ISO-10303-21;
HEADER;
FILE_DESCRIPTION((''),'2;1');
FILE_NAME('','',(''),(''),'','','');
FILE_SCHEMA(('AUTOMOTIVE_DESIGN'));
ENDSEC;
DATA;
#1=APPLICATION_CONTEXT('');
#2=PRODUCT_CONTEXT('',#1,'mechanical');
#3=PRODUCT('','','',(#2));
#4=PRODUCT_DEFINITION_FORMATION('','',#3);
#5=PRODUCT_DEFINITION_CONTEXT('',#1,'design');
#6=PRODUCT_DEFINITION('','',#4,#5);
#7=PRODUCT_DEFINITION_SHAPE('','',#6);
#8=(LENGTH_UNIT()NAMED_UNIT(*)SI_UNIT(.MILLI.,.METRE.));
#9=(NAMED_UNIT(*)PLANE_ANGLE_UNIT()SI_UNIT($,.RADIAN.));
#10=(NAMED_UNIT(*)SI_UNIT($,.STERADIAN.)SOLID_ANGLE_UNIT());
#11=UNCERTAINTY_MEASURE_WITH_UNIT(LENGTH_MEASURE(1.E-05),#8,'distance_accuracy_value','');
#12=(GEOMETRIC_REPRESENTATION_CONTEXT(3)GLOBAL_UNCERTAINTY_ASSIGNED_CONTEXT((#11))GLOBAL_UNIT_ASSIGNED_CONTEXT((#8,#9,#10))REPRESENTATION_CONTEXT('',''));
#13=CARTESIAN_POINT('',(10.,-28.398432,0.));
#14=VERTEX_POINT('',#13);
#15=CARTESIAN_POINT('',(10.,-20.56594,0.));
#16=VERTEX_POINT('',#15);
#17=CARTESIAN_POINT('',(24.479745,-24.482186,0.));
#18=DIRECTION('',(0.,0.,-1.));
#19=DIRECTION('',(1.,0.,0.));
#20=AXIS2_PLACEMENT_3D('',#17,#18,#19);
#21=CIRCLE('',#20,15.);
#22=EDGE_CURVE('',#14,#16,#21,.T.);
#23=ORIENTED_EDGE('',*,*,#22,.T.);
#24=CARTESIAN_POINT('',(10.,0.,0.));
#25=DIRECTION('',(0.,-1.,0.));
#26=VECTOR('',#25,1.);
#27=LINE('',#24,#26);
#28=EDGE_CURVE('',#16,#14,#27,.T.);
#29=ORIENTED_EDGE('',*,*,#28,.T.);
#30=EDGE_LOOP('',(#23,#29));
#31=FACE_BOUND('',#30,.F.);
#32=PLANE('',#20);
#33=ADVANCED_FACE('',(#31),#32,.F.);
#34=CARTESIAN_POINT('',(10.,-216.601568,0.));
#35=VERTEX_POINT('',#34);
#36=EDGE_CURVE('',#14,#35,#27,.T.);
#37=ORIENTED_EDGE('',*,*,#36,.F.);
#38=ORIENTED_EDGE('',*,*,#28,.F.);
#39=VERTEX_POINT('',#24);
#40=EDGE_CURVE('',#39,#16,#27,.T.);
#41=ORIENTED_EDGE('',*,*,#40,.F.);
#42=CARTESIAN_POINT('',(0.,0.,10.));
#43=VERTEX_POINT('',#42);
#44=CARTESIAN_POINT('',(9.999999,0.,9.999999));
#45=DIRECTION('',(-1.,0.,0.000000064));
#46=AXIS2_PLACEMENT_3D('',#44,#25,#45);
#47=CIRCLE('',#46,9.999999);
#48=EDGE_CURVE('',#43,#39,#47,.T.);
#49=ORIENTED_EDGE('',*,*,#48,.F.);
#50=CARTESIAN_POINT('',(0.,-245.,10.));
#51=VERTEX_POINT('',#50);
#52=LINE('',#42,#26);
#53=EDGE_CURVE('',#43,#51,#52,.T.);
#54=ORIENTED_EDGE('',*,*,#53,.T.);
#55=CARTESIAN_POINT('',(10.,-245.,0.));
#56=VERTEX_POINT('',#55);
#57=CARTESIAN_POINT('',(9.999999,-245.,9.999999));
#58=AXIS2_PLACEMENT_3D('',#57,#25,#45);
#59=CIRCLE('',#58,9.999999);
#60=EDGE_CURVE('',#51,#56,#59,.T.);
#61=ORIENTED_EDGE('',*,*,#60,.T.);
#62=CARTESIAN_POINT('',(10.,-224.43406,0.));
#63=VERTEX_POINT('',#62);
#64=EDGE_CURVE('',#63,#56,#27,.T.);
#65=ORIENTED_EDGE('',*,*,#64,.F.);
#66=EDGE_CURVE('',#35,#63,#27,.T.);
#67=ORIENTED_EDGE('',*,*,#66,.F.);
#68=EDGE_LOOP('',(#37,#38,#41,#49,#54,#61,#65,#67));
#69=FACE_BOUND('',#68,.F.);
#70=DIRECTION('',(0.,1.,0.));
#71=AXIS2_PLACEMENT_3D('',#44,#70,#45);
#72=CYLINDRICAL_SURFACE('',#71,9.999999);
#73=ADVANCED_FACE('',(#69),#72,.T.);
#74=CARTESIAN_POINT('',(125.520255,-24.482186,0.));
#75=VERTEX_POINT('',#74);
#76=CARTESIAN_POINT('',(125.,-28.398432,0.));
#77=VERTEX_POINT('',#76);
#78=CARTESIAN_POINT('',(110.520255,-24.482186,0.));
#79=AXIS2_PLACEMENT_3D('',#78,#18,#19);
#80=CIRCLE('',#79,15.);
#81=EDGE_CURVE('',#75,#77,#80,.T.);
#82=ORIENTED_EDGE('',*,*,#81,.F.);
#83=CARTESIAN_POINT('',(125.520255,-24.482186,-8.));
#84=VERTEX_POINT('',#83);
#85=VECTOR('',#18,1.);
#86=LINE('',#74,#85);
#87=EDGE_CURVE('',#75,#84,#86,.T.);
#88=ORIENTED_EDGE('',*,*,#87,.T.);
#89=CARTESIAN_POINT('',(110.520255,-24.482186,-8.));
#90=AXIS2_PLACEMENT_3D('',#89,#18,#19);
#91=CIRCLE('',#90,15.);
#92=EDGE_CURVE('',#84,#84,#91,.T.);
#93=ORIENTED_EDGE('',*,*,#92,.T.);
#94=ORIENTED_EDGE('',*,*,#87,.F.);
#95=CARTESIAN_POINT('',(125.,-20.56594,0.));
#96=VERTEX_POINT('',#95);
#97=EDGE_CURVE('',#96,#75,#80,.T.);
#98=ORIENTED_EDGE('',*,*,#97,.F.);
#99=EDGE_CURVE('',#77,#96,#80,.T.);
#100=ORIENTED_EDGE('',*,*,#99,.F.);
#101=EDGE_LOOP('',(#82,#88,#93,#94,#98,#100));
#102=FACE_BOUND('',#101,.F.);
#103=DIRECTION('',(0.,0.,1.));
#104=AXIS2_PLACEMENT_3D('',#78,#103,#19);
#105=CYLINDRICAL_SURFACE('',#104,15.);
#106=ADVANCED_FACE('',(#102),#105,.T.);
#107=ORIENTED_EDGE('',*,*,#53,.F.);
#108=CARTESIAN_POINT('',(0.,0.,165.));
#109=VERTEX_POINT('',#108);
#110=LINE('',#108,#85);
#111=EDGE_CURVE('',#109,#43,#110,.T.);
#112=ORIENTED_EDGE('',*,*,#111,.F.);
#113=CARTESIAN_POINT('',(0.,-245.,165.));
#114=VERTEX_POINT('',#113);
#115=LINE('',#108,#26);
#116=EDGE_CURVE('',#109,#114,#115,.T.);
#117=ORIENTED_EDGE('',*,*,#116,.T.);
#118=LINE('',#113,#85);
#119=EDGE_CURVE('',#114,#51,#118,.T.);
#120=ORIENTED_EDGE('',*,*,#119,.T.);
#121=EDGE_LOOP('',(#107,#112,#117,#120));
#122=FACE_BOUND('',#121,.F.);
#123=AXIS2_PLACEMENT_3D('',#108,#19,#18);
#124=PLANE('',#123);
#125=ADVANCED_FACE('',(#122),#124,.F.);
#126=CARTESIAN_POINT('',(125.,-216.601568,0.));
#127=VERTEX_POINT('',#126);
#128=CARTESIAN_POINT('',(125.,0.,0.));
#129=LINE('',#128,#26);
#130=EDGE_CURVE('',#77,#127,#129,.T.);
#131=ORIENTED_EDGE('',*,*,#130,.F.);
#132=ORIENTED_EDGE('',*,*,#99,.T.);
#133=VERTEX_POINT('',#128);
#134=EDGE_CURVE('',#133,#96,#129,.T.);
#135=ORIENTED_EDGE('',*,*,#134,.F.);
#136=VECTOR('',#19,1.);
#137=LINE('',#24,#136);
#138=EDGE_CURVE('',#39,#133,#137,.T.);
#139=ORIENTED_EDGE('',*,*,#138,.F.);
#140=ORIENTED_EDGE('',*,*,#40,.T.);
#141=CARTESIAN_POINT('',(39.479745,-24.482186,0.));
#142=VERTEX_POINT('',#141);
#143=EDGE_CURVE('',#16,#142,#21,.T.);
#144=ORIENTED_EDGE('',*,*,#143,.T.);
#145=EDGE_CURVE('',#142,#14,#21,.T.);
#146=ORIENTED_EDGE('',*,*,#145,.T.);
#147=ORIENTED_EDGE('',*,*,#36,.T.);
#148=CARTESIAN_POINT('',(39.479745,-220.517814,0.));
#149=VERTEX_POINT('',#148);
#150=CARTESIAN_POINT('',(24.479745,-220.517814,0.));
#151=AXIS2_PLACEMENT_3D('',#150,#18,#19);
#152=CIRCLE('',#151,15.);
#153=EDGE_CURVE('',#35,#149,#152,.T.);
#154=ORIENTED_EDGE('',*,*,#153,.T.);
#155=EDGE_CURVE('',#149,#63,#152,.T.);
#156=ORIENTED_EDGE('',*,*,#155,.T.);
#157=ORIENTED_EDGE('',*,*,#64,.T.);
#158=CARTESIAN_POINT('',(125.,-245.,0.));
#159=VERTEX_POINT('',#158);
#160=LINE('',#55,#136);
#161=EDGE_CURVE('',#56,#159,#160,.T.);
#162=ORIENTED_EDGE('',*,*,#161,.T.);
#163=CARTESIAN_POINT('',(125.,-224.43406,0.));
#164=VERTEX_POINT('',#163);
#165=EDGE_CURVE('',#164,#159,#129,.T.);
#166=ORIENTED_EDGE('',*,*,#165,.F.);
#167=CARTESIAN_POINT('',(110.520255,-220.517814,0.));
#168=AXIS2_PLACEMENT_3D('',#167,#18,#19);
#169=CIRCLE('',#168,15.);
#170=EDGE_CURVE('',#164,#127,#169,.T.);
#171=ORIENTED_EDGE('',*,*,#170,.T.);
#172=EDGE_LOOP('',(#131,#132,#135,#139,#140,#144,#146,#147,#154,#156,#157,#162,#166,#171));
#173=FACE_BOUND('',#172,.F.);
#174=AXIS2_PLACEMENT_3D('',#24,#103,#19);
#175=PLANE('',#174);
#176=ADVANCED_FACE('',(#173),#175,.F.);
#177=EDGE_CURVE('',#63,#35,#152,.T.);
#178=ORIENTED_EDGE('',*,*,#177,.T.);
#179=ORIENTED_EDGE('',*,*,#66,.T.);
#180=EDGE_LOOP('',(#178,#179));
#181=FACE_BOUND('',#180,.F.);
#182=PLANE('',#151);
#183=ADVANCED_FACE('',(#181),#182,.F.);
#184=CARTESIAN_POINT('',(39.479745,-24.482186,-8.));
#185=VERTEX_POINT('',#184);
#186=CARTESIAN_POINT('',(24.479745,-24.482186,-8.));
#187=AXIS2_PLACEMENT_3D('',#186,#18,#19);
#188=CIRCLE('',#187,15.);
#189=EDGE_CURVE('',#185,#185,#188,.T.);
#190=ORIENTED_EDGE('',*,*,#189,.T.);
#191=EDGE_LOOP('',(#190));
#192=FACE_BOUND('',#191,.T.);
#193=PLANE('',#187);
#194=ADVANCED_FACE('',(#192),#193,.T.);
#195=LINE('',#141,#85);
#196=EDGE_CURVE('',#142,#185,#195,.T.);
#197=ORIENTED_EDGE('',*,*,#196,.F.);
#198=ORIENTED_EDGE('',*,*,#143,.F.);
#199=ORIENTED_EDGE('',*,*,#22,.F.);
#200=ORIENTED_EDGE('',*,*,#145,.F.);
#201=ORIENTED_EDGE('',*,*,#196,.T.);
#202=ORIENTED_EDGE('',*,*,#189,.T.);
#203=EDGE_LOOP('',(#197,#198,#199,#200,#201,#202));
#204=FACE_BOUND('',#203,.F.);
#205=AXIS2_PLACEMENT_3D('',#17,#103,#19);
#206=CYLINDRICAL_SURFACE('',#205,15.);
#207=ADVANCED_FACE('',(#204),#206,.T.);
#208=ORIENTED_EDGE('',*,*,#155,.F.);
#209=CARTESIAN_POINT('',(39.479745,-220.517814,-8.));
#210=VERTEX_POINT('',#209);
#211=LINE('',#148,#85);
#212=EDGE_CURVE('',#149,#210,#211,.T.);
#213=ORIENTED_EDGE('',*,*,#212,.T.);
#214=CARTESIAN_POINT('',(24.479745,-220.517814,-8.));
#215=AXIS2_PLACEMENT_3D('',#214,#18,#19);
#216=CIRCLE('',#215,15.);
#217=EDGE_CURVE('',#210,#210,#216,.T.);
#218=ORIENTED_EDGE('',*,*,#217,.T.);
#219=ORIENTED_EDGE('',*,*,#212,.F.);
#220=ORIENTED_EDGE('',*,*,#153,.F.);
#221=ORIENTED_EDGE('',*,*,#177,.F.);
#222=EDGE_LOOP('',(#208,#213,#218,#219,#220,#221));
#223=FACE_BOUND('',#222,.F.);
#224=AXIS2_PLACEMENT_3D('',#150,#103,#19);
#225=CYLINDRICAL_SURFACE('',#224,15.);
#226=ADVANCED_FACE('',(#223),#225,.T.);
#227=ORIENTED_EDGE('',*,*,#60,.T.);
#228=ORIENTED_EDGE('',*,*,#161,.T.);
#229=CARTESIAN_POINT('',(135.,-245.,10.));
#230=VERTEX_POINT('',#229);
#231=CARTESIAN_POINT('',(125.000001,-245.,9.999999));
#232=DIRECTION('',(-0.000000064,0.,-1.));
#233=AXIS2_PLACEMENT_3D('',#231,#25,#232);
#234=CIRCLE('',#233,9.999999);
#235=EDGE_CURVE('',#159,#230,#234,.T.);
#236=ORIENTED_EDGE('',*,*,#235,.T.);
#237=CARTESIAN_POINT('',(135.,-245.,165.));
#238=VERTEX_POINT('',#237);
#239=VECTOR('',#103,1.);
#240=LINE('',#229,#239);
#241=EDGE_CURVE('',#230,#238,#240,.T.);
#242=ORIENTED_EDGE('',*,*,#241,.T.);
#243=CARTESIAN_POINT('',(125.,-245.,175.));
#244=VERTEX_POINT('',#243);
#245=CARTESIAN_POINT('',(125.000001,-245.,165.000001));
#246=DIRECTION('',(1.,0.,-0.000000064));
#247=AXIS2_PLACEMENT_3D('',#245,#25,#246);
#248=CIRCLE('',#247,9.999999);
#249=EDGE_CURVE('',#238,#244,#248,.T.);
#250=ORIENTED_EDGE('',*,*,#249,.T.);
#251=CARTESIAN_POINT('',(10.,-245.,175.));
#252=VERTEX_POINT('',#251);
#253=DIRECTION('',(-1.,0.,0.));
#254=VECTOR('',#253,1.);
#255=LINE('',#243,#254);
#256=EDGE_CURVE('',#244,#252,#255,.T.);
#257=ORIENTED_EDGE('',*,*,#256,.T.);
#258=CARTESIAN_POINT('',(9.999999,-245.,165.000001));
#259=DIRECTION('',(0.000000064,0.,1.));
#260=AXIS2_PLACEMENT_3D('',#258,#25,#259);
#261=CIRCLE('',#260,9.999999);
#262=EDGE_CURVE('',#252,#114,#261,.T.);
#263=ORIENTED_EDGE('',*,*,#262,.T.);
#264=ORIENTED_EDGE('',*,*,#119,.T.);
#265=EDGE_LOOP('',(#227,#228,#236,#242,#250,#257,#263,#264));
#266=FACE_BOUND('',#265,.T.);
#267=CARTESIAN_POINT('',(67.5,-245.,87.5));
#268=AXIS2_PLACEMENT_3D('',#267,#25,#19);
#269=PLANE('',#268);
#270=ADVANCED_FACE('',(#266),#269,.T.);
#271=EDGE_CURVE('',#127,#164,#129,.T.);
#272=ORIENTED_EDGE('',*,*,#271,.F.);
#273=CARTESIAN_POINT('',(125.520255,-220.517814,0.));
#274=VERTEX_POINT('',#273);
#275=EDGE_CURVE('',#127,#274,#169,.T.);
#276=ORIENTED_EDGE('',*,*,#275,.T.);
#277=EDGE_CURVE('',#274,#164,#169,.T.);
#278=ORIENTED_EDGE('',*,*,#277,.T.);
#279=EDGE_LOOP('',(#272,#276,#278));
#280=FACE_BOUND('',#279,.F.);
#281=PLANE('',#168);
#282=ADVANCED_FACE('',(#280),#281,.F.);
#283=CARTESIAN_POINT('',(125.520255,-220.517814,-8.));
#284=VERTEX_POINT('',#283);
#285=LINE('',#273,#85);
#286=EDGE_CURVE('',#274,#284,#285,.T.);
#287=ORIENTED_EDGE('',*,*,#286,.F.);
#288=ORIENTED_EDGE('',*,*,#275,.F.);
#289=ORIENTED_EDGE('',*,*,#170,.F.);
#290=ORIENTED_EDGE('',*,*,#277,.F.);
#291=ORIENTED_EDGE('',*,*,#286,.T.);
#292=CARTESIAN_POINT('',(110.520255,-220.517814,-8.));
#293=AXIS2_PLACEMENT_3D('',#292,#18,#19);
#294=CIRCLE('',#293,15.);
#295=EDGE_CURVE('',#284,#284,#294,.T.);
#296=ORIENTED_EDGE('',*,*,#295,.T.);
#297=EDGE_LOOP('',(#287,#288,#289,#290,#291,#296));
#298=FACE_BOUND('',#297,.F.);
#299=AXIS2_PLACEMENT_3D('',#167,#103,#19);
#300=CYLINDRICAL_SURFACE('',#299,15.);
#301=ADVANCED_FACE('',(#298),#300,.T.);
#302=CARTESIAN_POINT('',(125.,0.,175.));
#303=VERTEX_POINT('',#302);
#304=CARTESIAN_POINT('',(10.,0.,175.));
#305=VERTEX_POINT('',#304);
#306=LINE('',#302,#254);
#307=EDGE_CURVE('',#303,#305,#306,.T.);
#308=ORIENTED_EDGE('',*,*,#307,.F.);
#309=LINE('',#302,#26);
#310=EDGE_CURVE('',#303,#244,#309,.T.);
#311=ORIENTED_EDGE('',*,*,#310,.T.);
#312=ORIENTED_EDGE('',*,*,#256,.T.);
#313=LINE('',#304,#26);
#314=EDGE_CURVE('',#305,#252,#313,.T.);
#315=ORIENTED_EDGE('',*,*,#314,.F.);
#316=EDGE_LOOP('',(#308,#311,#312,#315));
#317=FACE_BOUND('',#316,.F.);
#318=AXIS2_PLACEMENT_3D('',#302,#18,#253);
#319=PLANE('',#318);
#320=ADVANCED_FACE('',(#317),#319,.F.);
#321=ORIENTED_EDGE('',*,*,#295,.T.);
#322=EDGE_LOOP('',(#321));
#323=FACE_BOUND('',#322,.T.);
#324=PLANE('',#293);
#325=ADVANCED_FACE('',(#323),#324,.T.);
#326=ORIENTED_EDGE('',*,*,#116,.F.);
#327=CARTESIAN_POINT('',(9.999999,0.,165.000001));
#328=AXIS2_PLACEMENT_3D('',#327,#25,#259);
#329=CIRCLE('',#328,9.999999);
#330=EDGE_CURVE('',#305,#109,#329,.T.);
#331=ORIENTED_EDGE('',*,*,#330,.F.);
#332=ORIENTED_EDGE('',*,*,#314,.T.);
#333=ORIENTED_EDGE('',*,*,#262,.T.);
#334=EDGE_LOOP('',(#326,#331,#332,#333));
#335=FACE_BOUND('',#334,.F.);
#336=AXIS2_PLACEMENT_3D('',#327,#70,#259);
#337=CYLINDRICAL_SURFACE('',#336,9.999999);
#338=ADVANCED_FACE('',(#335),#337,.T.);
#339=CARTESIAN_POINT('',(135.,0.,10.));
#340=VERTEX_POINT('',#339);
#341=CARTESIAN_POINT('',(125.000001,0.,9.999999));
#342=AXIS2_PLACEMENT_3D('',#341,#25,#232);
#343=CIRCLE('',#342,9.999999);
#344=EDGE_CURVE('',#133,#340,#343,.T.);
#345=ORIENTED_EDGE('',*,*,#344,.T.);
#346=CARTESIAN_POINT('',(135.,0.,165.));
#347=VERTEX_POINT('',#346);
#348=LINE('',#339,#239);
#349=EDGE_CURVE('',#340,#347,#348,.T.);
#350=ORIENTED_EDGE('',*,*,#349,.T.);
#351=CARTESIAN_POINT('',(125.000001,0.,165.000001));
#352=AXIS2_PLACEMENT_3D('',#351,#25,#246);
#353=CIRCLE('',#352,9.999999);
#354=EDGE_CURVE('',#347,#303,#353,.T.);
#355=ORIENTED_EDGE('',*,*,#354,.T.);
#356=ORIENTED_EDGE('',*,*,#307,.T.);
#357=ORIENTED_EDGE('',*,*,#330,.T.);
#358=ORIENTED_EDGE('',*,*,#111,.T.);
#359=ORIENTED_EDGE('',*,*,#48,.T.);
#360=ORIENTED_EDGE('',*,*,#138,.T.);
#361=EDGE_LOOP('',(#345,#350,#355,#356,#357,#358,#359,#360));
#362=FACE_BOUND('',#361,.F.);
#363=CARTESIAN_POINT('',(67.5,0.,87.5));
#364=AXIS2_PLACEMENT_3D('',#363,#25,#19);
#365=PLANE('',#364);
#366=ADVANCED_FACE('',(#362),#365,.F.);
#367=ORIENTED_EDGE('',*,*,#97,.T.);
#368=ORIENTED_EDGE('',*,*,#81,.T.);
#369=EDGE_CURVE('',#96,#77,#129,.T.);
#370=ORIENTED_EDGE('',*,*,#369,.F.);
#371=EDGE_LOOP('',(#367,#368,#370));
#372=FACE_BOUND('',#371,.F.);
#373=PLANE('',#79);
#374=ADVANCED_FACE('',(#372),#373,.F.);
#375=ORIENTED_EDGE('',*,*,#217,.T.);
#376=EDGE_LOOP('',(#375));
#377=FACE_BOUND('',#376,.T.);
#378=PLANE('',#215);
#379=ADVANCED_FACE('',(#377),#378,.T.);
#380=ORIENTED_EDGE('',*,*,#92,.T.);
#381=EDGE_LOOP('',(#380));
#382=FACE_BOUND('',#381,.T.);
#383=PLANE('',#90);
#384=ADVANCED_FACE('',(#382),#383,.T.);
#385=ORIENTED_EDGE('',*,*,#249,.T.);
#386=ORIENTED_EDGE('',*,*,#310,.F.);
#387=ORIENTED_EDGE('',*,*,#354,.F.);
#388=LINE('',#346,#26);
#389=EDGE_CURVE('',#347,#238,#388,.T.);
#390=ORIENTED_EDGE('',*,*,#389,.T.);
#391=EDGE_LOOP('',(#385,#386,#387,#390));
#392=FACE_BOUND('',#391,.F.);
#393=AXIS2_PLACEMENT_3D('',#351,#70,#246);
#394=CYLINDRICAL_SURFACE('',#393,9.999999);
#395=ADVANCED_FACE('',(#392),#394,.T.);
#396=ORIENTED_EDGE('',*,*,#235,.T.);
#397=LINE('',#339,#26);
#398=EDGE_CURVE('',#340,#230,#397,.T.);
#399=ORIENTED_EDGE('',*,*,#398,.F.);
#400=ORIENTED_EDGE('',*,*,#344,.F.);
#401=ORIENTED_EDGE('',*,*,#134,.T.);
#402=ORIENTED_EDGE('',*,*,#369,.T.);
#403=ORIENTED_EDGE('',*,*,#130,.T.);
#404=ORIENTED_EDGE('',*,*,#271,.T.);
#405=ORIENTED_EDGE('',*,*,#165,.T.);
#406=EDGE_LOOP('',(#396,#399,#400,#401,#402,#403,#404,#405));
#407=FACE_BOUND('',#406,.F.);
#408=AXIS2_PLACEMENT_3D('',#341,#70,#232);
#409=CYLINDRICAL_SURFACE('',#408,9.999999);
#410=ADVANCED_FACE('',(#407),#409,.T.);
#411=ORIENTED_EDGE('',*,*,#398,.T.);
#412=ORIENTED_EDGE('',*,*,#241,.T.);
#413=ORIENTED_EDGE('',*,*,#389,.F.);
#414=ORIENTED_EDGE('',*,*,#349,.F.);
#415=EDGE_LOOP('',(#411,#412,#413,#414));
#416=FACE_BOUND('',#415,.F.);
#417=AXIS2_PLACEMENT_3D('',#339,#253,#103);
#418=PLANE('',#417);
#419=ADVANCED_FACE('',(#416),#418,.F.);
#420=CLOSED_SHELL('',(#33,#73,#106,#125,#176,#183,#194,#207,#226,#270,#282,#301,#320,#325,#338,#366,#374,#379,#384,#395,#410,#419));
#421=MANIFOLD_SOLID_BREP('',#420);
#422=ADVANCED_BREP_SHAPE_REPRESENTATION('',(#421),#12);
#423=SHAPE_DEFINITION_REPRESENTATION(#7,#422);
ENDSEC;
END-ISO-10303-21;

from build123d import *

# Parameters (mm, degrees)
F1_DEPTH = 245
F2_R     = 15
F3_DEPTH = 8


with BuildPart() as f1:
    # F0 (on Front) → F1 (new body)
    with BuildSketch(Plane.XZ):
        with BuildLine():
            ThreePointArc((0, 10), (2.928932, 2.928932), (10, 0))
            Line((10, 0), (125, 0))
            ThreePointArc((125, 0), (132.071068, 2.928932), (135, 10))
            Line((135, 10), (135, 165))
            ThreePointArc((135, 165), (132.071068, 172.071068), (125, 175))
            Line((125, 175), (10, 175))
            ThreePointArc((10, 175), (2.928932, 172.071068), (0, 165))
            Line((0, 165), (0, 10))
        make_face()
    extrude(amount=F1_DEPTH)

    # F2 (on face) → F3 (join)
    with BuildSketch(Plane(origin=(0, 0, 0), x_dir=(1, 0, 0), z_dir=(0, 0, -1))):
        with Locations((24.479745, 220.517814)):
            Circle(F2_R)
        with Locations((110.520255, 220.517814)):
            Circle(F2_R)
        with Locations((24.479745, 24.482186)):
            Circle(F2_R)
        with Locations((110.520255, 24.482186)):
            Circle(F2_R)
    extrude(amount=F3_DEPTH)


solid = f1.part
